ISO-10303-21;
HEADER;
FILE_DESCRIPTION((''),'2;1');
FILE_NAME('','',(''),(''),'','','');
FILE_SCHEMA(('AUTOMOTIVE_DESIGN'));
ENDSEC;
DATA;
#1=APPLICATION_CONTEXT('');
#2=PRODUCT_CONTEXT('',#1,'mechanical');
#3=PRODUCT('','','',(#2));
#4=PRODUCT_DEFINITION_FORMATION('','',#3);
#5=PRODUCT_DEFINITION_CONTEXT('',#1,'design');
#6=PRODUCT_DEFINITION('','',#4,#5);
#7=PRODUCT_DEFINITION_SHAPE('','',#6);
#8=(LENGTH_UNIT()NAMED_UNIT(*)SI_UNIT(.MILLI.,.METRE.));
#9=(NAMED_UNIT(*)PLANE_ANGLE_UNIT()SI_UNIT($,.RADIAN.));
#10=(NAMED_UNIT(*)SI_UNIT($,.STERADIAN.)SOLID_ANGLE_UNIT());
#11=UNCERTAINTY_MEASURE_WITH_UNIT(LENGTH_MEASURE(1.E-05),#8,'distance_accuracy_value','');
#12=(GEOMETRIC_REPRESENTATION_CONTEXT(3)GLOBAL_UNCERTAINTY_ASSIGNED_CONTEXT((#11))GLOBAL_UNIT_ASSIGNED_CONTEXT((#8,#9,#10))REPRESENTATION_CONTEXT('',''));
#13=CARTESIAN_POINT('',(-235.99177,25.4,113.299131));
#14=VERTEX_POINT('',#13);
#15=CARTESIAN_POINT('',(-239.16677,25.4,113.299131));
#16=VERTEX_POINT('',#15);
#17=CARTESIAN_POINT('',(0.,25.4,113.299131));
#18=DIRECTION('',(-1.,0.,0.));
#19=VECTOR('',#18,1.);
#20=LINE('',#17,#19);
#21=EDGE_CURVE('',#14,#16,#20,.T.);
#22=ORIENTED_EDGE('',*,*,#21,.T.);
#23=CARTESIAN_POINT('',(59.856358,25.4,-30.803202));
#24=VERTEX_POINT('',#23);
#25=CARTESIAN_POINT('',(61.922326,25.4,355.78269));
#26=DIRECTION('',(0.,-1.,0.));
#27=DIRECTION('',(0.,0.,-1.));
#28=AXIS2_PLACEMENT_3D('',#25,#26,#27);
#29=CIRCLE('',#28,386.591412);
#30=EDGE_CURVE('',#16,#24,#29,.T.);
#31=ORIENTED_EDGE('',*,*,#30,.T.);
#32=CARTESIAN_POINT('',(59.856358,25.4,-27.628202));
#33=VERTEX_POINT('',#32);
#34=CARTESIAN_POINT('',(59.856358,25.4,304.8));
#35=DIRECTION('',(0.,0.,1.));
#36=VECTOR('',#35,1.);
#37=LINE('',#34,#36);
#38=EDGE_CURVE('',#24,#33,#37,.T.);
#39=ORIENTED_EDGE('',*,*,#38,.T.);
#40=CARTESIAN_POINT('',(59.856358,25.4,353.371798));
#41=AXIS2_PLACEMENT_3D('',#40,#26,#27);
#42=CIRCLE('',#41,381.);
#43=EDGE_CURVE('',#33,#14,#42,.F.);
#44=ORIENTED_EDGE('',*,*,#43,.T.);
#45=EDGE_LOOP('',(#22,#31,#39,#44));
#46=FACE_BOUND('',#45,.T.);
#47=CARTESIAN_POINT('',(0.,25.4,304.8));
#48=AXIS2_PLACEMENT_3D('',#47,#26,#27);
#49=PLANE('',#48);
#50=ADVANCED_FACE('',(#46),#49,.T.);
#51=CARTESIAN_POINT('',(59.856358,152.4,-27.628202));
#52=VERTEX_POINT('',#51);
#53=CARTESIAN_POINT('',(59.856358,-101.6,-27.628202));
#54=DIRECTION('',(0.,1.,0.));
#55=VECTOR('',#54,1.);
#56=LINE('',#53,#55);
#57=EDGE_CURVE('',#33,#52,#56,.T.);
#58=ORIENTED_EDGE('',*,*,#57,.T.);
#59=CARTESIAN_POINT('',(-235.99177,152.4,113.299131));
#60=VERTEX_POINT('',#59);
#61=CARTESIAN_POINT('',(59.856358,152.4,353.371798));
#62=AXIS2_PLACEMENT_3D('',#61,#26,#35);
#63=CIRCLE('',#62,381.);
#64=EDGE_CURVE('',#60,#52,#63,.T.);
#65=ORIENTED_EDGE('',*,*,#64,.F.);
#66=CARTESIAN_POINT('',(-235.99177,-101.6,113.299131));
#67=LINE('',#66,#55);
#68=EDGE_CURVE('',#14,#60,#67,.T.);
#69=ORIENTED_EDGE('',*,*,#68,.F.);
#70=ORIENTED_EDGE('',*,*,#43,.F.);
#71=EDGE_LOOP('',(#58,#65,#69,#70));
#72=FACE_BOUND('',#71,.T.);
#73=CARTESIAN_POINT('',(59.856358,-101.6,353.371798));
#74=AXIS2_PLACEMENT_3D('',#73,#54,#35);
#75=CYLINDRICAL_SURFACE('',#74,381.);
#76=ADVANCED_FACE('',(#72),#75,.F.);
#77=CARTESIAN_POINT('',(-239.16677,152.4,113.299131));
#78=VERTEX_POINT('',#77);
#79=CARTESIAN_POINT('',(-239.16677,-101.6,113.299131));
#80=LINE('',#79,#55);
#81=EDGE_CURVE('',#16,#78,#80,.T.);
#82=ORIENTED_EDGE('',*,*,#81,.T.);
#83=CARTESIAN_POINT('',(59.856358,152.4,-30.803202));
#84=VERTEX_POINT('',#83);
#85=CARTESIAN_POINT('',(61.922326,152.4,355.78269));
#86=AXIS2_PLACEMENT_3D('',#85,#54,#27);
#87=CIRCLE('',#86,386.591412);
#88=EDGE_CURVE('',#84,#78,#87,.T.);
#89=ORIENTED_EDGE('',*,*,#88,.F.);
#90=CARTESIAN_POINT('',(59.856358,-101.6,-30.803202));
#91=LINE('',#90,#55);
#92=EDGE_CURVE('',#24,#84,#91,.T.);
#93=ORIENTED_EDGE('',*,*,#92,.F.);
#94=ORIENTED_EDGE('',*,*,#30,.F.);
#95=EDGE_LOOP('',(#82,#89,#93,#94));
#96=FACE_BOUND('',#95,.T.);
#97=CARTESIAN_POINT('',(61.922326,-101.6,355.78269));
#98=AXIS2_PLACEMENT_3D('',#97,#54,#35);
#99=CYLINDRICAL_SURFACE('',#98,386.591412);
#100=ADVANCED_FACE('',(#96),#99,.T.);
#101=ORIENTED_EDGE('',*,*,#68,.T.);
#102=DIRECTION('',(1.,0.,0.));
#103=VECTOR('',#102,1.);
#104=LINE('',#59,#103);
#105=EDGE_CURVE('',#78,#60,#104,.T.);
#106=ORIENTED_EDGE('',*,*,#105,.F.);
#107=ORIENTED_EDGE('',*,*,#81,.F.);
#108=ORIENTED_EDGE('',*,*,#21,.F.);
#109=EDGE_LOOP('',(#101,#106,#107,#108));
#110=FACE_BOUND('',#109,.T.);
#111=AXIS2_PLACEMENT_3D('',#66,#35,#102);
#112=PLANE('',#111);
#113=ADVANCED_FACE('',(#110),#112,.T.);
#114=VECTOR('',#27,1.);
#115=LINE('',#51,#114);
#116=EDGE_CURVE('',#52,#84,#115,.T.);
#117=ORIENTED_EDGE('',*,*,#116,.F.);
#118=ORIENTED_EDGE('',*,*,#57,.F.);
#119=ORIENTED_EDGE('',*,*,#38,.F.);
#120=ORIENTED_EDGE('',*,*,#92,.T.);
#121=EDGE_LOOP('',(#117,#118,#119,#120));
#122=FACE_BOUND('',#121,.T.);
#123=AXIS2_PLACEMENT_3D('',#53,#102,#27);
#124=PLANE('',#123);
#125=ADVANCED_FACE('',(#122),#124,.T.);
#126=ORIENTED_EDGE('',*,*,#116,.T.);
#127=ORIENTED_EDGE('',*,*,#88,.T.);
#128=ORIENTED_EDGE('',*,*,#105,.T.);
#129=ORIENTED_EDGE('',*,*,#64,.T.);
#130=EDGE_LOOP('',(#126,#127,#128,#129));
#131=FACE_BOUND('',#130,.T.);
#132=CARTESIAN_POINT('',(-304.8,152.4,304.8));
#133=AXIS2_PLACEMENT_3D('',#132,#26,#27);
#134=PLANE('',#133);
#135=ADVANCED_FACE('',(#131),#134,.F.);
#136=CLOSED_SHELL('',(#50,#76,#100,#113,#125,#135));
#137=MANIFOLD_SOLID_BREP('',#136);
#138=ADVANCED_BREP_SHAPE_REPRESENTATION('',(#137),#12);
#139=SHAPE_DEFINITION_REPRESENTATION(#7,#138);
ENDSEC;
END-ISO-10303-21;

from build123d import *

# Parameters (mm, degrees)
SKETCH3_W           = 609.6
SKETCH3_H           = 304.8
BOSS_EXTRUDE1_DEPTH = 304.8
SKETCH4_W           = 609.6
SKETCH4_H           = 177.8
CUT_EXTRUDE1_DEPTH  = 609.6
SKETCH6_W           = 609.6
SKETCH6_H           = 609.6
CUT_EXTRUDE2_DEPTH  = 254


with BuildPart() as part:
    # Sketch3 → Boss-Extrude1 (new, symmetric)
    with BuildSketch(Plane.XY):
        Rectangle(SKETCH3_W, SKETCH3_H)
    extrude(amount=BOSS_EXTRUDE1_DEPTH, both=True)

    # Sketch4 → Cut-Extrude1 (cut)
    with BuildSketch(Plane(origin=(0, 0, -304.8), x_dir=(-1, 0, 0), z_dir=(0, 0, -1))):
        with Locations((0, -63.5)):
            Rectangle(SKETCH4_W, SKETCH4_H)
    extrude(amount=-CUT_EXTRUDE1_DEPTH, mode=Mode.SUBTRACT)

    # Sketch6 → Cut-Extrude2 (cut)
    with BuildSketch(Plane(origin=(0, 152.4, 0), x_dir=(1, 0, 0), z_dir=(0, 1, 0))):
        Rectangle(SKETCH6_W, SKETCH6_H)
        with BuildLine():
            Line((59.856357946, 27.628202152), (59.856357946, 30.803202152))
            ThreePointArc((59.856357946, 30.803202152), (-105.908299402, -7.521579235), (-239.166769949, -113.299131305))
            Line((-239.166769949, -113.299131305), (-235.991769949, -113.299131305))
            ThreePointArc((-235.991769949, -113.299131305), (-103.99313709, -9.40327752), (59.856357946, 27.628202152))
        make_face(mode=Mode.SUBTRACT)
    extrude(amount=-CUT_EXTRUDE2_DEPTH, mode=Mode.SUBTRACT)


solid = part.part
